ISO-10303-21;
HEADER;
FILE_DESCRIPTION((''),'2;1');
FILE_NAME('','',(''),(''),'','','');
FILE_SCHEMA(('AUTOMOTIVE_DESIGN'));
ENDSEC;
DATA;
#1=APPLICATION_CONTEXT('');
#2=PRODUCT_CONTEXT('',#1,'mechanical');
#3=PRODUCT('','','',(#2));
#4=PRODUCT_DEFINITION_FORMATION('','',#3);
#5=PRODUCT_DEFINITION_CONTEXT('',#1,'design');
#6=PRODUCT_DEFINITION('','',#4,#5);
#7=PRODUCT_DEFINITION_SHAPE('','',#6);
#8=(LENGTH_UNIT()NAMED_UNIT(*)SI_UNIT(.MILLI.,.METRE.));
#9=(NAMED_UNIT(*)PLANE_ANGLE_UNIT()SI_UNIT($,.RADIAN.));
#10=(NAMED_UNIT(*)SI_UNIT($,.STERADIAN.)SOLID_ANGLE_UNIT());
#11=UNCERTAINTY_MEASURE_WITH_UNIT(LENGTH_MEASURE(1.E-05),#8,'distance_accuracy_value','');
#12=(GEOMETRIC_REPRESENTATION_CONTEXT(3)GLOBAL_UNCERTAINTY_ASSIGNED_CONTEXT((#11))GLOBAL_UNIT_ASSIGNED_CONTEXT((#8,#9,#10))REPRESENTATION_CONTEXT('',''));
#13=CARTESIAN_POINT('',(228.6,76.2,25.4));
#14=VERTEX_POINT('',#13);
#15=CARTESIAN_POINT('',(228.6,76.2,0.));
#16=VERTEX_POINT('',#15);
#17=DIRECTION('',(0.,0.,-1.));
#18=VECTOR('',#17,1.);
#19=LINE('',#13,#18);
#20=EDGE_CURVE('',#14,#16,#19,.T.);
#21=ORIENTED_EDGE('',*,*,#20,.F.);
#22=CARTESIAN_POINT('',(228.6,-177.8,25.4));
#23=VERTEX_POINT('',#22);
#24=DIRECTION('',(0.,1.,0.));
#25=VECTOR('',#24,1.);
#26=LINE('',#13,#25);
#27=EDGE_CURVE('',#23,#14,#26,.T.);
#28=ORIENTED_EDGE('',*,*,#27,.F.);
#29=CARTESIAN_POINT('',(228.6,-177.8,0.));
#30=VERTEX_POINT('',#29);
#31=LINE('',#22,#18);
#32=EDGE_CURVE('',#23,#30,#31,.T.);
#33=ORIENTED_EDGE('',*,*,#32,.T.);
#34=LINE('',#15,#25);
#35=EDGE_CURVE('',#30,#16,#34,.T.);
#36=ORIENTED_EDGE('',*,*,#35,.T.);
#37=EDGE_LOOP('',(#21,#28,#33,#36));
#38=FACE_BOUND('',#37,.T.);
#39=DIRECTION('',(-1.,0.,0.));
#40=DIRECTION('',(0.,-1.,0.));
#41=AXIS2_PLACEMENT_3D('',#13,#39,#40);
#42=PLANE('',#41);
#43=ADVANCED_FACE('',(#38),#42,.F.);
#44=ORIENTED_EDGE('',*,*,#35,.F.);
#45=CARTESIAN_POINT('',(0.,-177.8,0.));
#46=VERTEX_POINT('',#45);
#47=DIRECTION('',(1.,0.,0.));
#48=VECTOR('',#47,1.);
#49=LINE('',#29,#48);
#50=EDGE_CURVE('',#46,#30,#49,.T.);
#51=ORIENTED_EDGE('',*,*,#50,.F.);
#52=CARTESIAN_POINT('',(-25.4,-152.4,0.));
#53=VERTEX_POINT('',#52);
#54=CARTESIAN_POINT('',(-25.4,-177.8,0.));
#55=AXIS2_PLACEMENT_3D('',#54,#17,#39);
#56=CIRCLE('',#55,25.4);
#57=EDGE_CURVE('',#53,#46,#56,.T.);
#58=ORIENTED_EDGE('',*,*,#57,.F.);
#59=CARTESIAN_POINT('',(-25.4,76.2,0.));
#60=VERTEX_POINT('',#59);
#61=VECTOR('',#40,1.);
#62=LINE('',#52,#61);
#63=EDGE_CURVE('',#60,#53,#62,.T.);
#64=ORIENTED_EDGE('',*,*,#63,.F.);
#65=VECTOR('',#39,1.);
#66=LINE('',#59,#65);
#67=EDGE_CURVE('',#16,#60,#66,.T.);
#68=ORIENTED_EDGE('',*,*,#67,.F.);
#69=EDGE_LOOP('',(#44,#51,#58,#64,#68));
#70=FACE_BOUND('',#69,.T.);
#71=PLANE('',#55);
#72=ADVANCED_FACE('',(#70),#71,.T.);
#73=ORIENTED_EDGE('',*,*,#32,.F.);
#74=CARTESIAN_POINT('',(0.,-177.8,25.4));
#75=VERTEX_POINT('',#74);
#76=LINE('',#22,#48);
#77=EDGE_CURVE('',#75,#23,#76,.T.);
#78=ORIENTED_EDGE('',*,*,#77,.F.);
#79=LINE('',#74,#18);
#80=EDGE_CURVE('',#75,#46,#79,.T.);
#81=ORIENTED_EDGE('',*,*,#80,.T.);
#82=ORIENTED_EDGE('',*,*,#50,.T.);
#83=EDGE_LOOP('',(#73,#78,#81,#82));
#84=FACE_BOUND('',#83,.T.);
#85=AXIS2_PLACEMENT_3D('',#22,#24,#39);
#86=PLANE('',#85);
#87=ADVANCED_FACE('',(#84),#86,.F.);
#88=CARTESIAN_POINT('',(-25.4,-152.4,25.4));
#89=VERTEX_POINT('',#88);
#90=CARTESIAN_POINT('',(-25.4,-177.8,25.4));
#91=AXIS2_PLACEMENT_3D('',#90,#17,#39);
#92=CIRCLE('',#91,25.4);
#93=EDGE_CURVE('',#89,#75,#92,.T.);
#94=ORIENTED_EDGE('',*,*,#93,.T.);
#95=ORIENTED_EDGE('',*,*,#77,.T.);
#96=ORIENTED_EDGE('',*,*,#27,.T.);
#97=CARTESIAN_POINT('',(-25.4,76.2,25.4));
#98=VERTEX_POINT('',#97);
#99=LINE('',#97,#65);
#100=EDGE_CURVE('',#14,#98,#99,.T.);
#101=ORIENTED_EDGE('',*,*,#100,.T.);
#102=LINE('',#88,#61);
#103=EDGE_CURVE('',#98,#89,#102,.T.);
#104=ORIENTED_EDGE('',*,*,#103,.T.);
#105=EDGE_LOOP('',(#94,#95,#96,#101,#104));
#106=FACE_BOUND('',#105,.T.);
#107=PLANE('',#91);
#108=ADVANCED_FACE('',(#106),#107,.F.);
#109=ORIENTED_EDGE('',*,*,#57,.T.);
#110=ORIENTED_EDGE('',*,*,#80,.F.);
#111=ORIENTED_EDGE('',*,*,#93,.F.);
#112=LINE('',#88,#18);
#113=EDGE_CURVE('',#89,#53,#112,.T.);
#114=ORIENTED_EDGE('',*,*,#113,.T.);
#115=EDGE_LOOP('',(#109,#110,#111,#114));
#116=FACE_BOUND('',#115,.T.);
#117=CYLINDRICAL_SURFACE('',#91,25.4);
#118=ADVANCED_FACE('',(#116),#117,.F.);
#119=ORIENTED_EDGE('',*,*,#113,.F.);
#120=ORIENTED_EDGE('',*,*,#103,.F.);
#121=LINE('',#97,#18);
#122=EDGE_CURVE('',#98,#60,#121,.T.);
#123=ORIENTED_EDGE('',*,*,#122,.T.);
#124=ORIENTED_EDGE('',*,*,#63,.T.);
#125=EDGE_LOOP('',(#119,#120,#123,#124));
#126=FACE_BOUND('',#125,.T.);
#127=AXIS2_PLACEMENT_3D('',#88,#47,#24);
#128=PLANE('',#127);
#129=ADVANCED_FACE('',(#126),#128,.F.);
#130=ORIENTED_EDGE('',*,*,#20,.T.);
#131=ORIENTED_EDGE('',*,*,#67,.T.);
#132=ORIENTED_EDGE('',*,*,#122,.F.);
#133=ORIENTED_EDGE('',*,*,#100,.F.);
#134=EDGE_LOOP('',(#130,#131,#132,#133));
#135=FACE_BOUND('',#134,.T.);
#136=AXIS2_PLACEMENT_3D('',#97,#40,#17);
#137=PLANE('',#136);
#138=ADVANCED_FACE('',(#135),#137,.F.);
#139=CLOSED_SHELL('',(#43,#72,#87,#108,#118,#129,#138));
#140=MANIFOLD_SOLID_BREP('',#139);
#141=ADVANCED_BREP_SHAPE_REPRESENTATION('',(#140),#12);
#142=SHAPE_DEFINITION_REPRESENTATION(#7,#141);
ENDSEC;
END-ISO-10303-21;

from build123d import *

# Parameters (mm, degrees)
BASE_EXTRUDE_DEPTH = 25.4


with BuildPart() as part:
    # Sketch1 → Base-Extrude (new body)
    with BuildSketch(Plane.XY):
        with BuildLine():
            Line((-25.4, -152.4), (-25.4, 76.2))
            Line((-25.4, 76.2), (228.6, 76.2))
            Line((228.6, 76.2), (228.6, -177.8))
            Line((228.6, -177.8), (0, -177.8))
            ThreePointArc((0, -177.8), (-7.439487758, -159.839487758), (-25.4, -152.4))
        make_face()
    extrude(amount=BASE_EXTRUDE_DEPTH)


solid = part.part
